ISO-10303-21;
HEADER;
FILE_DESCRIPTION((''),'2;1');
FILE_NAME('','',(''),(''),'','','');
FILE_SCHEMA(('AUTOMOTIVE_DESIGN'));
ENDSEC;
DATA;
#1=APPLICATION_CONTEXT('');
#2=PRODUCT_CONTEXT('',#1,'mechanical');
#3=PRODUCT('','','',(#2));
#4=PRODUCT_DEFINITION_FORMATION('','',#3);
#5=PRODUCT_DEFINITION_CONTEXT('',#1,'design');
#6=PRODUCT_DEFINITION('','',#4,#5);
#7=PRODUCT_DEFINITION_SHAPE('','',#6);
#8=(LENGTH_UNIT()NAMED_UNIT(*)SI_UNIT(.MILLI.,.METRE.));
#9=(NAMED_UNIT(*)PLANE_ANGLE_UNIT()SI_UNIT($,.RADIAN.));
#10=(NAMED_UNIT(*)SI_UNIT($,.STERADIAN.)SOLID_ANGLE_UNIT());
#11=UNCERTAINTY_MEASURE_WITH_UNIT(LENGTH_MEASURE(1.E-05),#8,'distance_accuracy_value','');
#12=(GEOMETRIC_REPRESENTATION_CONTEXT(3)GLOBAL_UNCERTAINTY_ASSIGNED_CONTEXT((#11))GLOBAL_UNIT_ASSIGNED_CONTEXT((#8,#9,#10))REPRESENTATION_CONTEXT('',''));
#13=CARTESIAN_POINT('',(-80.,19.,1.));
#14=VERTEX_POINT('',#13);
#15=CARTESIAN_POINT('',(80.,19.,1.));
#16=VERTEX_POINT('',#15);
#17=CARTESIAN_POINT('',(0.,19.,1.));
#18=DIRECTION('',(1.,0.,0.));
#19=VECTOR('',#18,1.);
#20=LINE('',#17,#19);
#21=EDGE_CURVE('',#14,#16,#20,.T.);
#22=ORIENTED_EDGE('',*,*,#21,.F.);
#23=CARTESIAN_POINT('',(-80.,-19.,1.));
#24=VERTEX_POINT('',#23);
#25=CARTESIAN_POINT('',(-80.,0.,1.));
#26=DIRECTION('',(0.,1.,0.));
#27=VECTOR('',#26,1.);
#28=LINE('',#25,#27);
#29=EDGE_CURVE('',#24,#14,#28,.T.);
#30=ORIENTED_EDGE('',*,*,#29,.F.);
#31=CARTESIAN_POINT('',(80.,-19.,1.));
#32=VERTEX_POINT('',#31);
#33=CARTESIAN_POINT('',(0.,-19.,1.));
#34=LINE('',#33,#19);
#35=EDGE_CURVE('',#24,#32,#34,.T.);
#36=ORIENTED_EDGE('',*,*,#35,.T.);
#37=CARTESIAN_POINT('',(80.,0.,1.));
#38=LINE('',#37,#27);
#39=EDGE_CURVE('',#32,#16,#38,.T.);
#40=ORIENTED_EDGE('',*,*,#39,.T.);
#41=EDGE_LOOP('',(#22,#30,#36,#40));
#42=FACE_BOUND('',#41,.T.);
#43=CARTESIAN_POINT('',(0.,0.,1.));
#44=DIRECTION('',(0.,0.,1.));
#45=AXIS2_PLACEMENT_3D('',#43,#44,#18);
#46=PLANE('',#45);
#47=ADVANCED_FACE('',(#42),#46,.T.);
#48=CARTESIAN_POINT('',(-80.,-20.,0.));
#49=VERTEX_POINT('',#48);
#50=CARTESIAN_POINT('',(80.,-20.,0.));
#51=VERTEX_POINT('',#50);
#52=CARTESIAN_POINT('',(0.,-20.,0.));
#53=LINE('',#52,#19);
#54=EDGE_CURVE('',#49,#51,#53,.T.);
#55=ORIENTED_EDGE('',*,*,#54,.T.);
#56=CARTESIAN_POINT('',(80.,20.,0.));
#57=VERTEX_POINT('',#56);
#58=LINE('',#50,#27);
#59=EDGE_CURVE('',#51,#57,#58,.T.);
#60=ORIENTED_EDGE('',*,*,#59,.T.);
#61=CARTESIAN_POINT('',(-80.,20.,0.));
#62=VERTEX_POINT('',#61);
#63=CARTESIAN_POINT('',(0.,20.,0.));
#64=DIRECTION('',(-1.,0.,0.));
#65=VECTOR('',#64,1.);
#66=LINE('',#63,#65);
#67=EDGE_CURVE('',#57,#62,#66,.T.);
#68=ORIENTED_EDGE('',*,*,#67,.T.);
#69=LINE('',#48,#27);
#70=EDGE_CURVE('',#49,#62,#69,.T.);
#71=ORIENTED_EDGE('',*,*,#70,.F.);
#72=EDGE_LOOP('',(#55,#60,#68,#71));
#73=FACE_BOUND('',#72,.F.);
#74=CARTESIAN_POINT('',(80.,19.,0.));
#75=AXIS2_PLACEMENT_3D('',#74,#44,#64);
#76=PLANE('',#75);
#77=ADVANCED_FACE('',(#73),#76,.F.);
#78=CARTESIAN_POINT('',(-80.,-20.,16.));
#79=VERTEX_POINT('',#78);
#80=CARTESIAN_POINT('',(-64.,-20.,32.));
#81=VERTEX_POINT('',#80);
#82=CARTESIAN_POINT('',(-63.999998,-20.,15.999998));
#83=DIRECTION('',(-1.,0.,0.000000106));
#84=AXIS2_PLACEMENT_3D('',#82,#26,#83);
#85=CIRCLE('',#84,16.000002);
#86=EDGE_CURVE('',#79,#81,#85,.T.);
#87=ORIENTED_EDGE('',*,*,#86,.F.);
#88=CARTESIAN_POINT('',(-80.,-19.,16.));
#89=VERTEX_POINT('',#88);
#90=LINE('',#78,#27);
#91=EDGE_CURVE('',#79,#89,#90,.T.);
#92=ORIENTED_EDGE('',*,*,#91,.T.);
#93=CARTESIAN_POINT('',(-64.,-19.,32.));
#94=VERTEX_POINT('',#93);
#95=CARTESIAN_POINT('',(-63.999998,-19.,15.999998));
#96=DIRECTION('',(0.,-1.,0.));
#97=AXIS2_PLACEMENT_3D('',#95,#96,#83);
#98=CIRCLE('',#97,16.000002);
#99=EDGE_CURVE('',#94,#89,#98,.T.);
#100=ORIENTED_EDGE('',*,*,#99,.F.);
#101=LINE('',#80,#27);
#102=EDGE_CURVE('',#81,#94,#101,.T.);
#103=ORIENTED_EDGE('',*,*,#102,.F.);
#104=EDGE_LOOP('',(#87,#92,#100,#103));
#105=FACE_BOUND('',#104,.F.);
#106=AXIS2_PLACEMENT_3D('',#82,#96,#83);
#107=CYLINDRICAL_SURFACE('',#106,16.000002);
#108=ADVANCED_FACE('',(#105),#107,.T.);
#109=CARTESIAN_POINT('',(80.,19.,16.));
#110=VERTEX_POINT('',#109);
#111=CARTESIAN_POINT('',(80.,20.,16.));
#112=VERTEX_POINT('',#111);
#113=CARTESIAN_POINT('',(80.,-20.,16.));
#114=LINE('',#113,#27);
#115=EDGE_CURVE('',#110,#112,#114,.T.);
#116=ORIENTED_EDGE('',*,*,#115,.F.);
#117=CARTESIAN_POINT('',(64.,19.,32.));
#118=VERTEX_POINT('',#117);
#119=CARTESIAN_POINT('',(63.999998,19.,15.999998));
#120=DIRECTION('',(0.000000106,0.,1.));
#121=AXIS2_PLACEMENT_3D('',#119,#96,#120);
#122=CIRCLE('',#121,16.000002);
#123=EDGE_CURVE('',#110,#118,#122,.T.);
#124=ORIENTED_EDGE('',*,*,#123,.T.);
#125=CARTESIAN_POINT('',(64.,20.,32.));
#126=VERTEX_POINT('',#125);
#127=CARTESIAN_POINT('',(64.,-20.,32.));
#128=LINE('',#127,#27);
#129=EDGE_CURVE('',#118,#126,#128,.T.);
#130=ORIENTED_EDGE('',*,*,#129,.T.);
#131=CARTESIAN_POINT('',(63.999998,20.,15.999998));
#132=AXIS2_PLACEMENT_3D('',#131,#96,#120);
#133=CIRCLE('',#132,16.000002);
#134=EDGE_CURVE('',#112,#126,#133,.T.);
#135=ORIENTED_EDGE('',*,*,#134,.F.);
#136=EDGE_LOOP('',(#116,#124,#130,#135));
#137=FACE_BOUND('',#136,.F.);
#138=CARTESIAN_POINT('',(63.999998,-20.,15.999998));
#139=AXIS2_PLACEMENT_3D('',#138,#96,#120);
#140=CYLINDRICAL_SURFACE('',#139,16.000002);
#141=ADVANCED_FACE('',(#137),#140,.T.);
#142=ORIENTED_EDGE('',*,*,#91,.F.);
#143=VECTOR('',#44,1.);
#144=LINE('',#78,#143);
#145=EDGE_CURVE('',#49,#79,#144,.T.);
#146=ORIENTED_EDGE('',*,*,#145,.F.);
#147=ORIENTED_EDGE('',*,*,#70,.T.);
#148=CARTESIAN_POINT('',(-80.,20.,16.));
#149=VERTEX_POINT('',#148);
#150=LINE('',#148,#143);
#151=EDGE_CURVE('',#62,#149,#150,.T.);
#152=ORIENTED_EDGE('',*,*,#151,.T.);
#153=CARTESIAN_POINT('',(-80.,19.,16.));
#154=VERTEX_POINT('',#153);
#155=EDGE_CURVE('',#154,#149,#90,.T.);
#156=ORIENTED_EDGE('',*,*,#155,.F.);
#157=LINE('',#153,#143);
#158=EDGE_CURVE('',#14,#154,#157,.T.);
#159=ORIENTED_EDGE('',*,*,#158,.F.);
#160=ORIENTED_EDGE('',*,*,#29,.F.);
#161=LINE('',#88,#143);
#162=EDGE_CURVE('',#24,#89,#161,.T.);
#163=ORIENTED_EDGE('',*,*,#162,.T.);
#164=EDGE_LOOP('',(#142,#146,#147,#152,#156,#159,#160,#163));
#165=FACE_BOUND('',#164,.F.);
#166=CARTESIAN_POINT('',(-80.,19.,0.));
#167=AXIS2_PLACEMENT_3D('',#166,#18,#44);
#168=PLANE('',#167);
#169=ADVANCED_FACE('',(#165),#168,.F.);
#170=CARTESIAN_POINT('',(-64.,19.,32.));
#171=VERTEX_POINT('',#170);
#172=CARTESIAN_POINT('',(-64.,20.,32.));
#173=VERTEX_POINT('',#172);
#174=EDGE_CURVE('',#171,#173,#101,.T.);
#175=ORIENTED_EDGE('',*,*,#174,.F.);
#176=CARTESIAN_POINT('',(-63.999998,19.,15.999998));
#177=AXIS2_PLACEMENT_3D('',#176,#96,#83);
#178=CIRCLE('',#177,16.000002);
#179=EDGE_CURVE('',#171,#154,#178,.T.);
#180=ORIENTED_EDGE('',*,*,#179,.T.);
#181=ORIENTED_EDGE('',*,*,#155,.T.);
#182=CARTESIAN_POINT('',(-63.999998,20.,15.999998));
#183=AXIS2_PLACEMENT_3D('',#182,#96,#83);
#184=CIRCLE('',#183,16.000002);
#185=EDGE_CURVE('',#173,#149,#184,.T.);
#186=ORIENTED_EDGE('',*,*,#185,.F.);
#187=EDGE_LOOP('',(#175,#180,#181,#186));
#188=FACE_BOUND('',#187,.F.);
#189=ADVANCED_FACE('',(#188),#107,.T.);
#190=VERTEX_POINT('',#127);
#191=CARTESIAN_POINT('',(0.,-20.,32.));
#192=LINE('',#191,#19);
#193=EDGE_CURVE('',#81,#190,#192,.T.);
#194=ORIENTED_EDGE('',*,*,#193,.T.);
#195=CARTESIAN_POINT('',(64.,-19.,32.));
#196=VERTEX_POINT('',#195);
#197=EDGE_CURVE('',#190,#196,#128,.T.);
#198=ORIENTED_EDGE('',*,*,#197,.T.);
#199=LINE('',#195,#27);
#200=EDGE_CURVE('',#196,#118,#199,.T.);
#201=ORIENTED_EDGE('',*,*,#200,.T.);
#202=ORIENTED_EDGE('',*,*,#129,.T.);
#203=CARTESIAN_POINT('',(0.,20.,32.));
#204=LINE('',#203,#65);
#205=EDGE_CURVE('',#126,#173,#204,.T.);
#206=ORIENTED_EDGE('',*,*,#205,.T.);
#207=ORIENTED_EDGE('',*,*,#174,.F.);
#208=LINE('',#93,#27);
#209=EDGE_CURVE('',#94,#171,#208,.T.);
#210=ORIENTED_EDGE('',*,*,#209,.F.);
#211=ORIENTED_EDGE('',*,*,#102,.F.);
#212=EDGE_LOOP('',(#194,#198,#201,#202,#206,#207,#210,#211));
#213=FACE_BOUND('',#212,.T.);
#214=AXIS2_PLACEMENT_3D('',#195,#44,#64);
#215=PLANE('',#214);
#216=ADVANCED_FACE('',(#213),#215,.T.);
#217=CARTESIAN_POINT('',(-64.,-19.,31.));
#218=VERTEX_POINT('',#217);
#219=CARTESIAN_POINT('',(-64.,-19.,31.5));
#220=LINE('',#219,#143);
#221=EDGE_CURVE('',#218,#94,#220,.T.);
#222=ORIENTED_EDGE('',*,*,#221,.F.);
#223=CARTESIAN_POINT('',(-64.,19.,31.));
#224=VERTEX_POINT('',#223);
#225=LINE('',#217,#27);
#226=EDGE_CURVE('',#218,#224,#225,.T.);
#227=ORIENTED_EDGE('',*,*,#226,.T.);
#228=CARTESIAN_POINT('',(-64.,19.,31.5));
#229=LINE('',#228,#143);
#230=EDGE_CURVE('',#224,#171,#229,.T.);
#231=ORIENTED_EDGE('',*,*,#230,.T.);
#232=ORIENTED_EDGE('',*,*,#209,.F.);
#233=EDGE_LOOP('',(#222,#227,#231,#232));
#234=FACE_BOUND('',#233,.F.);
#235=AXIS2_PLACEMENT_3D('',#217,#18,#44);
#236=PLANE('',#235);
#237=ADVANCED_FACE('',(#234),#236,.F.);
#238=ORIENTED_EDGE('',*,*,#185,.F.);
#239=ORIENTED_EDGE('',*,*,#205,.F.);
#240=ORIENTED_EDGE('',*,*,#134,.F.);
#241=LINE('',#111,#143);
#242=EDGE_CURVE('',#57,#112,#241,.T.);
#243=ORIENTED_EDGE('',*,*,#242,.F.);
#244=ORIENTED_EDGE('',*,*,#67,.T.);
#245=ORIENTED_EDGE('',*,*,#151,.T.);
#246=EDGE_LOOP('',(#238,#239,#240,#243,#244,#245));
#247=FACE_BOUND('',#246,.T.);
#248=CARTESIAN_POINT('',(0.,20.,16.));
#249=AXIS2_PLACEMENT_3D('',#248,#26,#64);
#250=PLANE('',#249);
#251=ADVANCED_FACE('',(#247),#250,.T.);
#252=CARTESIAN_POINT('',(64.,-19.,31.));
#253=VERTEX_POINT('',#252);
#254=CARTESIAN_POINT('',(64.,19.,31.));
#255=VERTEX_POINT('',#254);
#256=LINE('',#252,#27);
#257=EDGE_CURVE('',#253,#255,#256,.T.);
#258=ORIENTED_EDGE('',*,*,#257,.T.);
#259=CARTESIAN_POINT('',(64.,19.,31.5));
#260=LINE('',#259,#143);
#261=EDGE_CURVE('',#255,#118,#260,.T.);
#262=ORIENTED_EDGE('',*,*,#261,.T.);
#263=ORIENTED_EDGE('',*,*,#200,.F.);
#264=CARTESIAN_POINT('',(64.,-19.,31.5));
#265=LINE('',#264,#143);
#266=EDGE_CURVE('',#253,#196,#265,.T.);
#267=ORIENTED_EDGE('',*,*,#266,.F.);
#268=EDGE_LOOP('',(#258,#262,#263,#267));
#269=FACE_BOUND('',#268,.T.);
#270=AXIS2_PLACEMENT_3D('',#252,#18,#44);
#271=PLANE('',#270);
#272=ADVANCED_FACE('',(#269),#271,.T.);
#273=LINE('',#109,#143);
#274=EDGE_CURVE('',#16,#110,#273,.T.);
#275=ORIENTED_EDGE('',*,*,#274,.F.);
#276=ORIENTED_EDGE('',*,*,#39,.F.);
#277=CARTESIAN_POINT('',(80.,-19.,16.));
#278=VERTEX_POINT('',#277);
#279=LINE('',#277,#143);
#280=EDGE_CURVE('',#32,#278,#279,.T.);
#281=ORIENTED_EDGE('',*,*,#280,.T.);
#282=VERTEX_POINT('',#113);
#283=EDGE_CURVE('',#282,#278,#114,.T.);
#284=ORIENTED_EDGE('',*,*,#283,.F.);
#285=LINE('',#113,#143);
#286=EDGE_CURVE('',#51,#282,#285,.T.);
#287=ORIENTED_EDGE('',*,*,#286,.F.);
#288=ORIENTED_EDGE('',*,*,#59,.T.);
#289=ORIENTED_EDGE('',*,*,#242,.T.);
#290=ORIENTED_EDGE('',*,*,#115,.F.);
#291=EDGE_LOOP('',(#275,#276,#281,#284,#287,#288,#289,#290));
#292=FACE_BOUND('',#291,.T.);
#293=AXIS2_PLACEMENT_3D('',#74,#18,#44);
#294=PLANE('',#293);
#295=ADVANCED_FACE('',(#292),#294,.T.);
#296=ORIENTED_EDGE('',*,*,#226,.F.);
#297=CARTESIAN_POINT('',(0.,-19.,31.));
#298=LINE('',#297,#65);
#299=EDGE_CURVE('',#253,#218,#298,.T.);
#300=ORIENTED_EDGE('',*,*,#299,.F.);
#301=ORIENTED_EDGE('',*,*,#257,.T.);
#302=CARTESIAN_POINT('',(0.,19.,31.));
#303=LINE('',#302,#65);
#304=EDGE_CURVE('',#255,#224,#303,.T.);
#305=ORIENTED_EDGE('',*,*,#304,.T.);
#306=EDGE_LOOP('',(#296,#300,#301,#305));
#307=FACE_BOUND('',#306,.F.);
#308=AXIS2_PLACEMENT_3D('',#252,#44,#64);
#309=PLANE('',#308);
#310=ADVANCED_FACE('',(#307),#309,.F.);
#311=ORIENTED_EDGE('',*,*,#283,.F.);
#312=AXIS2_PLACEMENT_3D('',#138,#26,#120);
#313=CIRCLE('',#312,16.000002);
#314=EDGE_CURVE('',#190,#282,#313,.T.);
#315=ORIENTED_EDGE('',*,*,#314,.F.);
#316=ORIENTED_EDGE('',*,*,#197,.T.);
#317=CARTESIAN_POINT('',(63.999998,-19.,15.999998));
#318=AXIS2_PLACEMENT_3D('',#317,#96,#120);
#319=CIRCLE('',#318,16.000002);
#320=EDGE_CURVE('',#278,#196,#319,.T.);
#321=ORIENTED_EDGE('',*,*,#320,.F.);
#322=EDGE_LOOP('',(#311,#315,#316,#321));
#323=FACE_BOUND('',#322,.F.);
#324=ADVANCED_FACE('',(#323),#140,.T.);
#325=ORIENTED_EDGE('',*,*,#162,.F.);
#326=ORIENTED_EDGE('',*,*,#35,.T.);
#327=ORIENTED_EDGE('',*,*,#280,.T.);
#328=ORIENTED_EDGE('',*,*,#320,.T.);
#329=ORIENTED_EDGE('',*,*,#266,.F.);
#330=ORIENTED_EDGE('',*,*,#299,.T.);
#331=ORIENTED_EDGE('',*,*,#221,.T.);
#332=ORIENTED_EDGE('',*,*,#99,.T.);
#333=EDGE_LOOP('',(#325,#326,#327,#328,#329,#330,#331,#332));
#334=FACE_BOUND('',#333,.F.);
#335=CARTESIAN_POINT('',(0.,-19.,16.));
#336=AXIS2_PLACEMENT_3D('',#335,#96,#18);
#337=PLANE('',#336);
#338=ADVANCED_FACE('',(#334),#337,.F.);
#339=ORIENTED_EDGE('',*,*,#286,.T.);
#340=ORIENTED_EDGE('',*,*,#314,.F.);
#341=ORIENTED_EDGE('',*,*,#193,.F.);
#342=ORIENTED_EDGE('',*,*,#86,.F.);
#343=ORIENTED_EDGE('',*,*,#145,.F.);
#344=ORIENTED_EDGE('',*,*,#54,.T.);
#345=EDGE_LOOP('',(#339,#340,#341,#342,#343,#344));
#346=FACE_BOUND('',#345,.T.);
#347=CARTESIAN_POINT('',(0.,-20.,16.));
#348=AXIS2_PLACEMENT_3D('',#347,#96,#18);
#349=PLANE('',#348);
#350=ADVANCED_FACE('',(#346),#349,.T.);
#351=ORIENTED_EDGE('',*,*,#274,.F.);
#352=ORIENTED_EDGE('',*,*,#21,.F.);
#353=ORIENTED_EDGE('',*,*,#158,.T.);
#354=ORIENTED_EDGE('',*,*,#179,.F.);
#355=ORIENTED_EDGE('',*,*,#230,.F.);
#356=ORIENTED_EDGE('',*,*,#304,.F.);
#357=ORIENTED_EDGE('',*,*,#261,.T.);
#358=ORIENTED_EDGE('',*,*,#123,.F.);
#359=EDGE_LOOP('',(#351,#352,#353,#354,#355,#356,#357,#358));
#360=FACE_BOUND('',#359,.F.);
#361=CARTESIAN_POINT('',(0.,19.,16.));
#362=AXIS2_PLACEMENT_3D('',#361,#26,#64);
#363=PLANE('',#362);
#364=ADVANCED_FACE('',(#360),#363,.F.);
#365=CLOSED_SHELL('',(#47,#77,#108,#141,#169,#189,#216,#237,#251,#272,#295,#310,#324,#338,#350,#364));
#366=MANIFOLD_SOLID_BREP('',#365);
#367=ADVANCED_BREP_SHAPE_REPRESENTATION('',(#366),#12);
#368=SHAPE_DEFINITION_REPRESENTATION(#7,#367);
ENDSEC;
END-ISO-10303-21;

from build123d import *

# Parameters (mm, degrees)
F0_W      = 160
F0_H      = 38
F1_DEPTH  = 1
F2_W      = 160
F2_H      = 32
F3_DEPTH  = 1
F4_W      = 160
F4_H      = 32
F5_DEPTH  = 1
F7_DEPTH  = 40.001
F8_DEPTH  = 40.001
F9_W      = 128
F9_H      = 1
F10_DEPTH = 38


with BuildPart() as f1:
    # F0 (on Top) → F1 (new body)
    with BuildSketch(Plane.XY):
        Rectangle(F0_W, F0_H)
    extrude(amount=F1_DEPTH)

    # F2 (on face) → F3 (join)
    with BuildSketch(Plane.XZ.offset(19)):
        with Locations((0, 16)):
            Rectangle(F2_W, F2_H)
    extrude(amount=F3_DEPTH)

    # F4 (on face) → F5 (join)
    with BuildSketch(Plane(origin=(0, 19, 0), x_dir=(-1, 0, 0), z_dir=(0, 1, 0))):
        with Locations((0, 16)):
            Rectangle(F4_W, F4_H)
    extrude(amount=F5_DEPTH)

    # F6 (on face) → F7 (cut, through all)
    with BuildSketch(Plane.XZ.offset(20)):
        with BuildLine():
            ThreePointArc((-80, 16), (-75.313708, 27.313708), (-64, 32))
            Line((-64, 32), (-80, 32))
            Line((-80, 32), (-80, 16))
        make_face()
    extrude(amount=-F7_DEPTH, mode=Mode.SUBTRACT)

    # F6 (on face) → F8 (cut, through all)
    with BuildSketch(Plane.XZ.offset(20)):
        with BuildLine():
            Line((80, 32), (64, 32))
            ThreePointArc((64, 32), (75.313708, 27.313708), (80, 16))
            Line((80, 16), (80, 32))
        make_face()
    extrude(amount=-F8_DEPTH, mode=Mode.SUBTRACT)

    # F9 (on face) → F10 (join)
    with BuildSketch(Plane(origin=(0, -19, 0), x_dir=(-1, 0, 0), z_dir=(0, 1, 0))):
        with Locations((0, 31.5)):
            Rectangle(F9_W, F9_H)
    extrude(amount=F10_DEPTH)


solid = f1.part
